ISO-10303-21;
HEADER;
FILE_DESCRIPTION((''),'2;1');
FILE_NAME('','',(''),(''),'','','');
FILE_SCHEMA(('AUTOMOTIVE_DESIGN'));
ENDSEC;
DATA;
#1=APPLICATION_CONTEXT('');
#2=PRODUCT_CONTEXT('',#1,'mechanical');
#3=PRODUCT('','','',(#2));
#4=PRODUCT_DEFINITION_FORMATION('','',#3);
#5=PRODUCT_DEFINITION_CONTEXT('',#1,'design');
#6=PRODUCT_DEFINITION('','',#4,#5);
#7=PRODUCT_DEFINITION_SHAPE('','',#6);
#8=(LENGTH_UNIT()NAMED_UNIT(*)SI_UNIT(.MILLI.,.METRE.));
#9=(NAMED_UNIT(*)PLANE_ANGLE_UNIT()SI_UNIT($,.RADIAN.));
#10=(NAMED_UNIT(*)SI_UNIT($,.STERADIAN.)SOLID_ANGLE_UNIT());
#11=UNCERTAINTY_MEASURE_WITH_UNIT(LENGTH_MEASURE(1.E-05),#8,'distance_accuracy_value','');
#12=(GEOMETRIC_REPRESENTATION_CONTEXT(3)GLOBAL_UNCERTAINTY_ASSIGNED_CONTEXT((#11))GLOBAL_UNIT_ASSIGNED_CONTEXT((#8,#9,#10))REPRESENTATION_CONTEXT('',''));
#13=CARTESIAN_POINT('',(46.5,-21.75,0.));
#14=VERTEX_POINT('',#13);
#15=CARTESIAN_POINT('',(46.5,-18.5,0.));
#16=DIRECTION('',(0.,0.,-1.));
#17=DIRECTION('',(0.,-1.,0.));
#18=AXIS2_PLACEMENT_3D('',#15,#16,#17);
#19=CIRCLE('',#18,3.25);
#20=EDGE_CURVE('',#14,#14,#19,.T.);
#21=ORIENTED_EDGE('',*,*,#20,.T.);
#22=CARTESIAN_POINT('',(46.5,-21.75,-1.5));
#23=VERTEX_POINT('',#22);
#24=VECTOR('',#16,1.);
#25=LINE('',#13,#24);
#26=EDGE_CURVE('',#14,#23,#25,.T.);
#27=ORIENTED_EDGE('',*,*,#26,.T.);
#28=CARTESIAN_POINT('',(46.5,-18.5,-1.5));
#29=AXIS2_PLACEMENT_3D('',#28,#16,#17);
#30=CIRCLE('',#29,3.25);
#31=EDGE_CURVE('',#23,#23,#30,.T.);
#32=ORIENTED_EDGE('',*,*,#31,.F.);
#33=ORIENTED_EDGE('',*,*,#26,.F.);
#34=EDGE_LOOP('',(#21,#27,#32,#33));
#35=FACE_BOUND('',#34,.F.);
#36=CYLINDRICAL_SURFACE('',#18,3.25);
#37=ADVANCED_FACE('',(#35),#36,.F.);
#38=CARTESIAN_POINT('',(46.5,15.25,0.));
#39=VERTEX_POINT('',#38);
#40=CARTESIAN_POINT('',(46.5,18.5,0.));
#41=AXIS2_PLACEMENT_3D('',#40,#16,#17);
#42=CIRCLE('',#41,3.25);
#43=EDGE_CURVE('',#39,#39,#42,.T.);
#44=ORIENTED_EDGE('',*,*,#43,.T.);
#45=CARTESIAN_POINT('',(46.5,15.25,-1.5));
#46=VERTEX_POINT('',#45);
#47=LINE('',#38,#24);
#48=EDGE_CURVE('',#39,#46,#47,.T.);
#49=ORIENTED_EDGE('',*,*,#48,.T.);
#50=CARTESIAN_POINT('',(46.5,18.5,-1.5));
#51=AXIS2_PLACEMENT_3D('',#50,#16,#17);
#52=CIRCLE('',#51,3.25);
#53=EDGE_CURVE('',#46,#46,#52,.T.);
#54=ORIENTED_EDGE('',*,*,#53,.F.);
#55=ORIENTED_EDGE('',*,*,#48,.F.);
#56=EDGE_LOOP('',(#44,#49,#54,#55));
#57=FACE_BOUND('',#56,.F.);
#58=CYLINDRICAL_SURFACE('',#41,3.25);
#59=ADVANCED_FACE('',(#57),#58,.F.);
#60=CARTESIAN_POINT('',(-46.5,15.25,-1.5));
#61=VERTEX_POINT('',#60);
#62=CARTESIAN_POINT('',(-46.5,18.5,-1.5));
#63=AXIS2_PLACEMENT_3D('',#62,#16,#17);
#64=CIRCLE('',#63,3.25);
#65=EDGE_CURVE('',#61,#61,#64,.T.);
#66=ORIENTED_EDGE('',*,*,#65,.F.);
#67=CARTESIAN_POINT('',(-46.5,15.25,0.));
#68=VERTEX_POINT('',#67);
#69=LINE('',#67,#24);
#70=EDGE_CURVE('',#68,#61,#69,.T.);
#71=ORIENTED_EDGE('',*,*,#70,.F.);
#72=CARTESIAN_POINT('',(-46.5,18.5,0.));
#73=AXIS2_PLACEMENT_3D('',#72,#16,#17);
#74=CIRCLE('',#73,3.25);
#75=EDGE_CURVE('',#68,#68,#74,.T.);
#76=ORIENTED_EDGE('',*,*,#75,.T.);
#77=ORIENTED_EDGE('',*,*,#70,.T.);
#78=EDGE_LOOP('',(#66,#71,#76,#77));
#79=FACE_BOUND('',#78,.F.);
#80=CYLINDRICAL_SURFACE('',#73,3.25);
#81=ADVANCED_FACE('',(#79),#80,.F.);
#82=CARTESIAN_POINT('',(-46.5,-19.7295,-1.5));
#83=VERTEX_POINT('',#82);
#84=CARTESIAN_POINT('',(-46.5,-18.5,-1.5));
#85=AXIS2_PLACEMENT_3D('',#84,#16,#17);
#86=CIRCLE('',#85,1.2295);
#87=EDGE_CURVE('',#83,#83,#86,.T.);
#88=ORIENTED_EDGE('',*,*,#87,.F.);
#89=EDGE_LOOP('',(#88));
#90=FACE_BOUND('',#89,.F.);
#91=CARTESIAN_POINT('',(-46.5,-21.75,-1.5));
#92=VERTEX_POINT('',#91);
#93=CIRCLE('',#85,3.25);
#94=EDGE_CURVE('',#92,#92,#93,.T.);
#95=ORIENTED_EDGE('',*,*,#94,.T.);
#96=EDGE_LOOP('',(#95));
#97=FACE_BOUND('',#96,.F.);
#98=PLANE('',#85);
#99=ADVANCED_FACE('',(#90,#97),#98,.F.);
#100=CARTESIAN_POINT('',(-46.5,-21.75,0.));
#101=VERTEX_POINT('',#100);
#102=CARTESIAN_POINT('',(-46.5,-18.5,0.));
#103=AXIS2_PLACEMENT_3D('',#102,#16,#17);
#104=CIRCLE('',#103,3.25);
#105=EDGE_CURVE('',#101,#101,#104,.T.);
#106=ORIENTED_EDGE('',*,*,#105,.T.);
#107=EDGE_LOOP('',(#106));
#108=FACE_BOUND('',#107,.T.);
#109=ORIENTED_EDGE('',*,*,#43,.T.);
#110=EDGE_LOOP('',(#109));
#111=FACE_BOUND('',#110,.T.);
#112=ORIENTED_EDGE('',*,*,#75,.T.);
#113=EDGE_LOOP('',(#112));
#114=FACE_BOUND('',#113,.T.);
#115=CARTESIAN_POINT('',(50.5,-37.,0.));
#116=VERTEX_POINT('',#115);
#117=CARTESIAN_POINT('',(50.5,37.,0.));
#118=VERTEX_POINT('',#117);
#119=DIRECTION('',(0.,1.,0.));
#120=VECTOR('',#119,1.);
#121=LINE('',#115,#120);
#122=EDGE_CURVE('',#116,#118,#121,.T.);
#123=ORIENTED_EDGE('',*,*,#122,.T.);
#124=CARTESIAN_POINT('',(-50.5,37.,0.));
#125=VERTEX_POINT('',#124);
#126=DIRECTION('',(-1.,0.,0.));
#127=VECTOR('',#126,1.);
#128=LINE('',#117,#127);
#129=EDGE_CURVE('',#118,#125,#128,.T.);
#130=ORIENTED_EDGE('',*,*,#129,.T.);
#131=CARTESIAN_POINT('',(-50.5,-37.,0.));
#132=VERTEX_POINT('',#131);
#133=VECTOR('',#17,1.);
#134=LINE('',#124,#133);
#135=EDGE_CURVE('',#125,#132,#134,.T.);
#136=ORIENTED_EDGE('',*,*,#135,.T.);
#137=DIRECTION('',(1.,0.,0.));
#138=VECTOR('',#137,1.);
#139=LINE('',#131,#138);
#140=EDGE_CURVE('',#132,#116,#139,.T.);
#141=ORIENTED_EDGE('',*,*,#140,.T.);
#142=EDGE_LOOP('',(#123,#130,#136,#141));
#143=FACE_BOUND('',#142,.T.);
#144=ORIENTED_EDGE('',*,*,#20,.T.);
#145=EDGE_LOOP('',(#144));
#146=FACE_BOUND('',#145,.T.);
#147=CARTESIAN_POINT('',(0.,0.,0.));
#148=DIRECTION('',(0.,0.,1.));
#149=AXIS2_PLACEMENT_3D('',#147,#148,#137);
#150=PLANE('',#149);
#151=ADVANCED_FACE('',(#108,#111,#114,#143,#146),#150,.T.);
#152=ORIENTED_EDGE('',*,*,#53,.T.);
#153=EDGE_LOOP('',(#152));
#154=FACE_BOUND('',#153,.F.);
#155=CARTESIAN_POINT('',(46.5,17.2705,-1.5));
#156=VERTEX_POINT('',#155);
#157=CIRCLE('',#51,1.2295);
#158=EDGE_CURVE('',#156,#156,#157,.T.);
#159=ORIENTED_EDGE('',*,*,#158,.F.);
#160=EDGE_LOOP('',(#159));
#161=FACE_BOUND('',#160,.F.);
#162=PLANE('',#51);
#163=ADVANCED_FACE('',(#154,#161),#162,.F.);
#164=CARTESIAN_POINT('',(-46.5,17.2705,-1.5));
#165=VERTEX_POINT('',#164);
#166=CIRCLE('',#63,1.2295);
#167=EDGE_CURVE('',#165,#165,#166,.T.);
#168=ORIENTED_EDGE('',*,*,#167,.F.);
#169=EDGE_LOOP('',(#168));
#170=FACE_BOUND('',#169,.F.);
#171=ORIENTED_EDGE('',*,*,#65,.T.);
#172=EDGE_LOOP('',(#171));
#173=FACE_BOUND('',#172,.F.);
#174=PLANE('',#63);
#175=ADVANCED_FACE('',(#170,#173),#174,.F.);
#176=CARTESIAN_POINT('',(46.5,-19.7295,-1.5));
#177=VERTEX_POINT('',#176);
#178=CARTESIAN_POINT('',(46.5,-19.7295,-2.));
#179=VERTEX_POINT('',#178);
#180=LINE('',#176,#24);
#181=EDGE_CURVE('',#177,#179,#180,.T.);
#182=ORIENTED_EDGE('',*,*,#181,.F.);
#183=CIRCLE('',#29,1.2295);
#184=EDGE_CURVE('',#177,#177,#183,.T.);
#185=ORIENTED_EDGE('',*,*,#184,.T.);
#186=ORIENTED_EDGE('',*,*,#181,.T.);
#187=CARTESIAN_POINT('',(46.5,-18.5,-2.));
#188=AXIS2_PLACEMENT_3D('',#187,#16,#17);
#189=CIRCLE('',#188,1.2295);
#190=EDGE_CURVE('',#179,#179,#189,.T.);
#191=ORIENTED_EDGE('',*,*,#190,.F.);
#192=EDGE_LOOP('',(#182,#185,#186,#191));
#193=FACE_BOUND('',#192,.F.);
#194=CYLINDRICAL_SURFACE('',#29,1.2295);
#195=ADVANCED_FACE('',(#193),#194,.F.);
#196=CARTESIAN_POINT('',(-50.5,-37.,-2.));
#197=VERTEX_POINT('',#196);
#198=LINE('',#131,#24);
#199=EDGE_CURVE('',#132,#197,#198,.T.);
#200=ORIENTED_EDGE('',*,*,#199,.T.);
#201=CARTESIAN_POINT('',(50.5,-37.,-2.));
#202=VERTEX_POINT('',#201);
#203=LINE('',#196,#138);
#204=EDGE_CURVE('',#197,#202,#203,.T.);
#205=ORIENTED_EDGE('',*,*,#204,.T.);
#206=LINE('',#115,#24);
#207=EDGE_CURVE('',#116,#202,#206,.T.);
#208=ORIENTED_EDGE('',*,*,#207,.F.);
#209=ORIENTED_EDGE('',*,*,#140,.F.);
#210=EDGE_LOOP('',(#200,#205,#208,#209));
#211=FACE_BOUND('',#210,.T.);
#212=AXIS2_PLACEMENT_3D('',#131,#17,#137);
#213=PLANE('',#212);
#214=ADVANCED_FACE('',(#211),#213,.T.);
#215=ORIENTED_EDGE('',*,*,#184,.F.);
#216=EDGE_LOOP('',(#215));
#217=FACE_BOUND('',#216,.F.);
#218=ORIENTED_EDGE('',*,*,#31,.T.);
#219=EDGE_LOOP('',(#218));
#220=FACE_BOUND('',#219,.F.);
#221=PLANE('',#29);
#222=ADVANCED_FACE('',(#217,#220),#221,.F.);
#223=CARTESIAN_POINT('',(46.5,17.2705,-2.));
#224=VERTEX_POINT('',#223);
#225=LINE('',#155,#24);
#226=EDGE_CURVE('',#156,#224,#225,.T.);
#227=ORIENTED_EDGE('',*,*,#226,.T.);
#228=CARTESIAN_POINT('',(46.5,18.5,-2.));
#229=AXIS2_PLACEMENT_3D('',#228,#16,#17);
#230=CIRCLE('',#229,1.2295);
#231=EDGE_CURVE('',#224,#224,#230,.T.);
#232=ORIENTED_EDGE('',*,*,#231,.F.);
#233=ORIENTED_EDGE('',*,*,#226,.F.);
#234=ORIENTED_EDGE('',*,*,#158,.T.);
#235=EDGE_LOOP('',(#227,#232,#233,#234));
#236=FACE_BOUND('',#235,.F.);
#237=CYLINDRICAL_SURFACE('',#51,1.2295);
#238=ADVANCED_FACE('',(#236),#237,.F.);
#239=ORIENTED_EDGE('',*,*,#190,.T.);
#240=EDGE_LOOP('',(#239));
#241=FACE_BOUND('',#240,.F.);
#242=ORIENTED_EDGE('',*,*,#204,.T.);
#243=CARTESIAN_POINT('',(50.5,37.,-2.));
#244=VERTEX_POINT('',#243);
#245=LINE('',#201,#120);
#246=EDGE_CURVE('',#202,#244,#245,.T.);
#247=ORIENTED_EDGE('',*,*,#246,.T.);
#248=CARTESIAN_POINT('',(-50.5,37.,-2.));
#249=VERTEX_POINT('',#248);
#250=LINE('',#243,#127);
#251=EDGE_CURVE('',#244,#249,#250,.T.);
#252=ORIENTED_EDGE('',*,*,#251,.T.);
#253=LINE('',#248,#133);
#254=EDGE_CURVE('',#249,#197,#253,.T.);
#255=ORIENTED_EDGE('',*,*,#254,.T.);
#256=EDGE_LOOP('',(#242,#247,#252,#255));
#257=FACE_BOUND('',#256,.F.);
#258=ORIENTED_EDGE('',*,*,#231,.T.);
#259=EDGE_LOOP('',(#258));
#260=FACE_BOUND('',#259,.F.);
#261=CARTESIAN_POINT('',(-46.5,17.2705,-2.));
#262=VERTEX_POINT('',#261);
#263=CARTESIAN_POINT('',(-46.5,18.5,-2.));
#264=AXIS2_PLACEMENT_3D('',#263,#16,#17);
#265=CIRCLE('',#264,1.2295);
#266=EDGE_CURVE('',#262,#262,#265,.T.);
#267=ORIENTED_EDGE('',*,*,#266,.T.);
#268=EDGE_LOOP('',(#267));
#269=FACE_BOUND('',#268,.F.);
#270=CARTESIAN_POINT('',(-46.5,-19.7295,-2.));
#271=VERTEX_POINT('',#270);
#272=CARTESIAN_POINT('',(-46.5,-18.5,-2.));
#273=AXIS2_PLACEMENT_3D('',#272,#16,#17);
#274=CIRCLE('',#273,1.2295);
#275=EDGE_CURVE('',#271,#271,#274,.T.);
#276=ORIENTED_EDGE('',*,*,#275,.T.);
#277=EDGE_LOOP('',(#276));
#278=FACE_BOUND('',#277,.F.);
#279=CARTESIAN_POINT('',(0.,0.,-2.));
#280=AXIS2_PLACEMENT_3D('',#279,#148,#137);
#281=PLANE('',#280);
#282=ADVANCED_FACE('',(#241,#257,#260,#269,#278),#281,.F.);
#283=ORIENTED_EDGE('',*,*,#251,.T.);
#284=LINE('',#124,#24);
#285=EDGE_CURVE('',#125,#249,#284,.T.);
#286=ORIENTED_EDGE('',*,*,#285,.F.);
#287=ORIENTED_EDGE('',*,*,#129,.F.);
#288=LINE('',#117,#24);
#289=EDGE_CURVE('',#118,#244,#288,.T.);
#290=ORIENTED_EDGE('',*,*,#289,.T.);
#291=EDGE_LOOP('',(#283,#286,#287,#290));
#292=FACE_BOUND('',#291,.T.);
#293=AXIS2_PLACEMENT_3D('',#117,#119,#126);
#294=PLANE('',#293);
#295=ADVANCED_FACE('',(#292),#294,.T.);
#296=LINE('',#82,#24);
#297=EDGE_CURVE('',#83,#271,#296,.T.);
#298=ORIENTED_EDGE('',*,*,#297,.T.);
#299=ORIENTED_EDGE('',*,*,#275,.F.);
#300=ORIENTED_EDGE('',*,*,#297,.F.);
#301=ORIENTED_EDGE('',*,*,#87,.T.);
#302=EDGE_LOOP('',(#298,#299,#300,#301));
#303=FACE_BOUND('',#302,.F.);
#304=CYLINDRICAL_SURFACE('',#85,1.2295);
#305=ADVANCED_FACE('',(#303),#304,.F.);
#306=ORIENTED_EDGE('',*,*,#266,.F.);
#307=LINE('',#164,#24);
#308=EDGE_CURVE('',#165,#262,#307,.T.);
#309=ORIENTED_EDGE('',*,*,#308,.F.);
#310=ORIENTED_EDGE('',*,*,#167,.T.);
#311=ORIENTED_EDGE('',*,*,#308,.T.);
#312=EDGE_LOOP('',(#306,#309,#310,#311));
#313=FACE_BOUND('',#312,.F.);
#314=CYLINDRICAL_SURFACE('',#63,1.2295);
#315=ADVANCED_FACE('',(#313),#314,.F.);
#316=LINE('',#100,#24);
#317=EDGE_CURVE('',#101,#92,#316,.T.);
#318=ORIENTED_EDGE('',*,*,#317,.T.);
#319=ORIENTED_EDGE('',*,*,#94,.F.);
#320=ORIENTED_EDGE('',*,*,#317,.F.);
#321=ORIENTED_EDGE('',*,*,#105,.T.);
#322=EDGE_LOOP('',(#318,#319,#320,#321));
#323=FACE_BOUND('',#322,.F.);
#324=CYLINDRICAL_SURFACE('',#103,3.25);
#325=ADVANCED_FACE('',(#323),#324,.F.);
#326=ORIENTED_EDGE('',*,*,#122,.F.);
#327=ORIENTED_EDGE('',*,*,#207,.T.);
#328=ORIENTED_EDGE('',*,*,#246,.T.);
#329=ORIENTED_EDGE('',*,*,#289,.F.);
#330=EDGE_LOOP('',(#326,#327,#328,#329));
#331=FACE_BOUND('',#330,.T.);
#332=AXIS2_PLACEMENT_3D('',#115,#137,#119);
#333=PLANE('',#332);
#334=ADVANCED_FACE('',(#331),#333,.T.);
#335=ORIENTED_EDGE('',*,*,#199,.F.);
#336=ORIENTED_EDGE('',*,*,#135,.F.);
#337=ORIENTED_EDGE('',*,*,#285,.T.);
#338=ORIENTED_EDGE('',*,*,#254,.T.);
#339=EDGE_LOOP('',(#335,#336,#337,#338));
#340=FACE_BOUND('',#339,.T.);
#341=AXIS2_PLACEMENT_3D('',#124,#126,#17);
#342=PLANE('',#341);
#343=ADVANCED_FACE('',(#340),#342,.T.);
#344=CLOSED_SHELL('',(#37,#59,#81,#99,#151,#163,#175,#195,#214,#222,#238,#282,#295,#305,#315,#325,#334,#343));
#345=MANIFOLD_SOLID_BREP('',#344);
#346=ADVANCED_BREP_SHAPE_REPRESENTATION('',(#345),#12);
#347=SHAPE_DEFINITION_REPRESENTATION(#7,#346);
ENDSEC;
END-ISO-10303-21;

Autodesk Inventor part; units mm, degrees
ref_plane "YZ Plane" through (0, 0, 0) normal (1, 0, 0) x (0, 1, 0)
ref_plane "XZ Plane" through (0, 0, 0) normal (0, 1, 0) x (-1, 0, 0)
ref_plane "XY Plane" through (0, 0, 0) normal (0, 0, 1) x (1, 0, 0)
sketch "Esboço1" plane through (0, 0, 0) normal (0, 0, 1) x (1, 0, 0)
  line L0 (-50.5, -37) -> (50.5, -37)
  line L1 (50.5, -37) -> (50.5, 37)
  line L2 (50.5, 37) -> (-50.5, 37)
  line L3 (-50.5, 37) -> (-50.5, -37)
  point P0 (0, 0)
  dimension "d2" = 101
  dimension "d3" = 74
  dimension "d4" = 101
  dimension "d5" = 50.5
  dimension "d6" = 37
extrude "Extrusão1" add sketch "Esboço1" against normal blind 2
sketch "Esboço2" plane through (0, 0, 0) normal (0, 0, 1) x (1, 0, 0)
  line L0 (-50.5, -37) -> (-50.5, 37) projected
  line L1 (-50.5, 37) -> (50.5, 37) projected
  line L2 (-46.5, 37) -> (-46.5, -37) construction
  line L3 (50.5, -37) -> (-50.5, -37) projected
  line L4 (46.5, 37) -> (46.5, -37) construction
  line L5 (-50.5, 18.5) -> (50.5, 18.5) construction
  line L6 (-50.5, -18.5) -> (50.5, -18.5) construction
  line L7 (50.5, 37) -> (50.5, -37) projected
  point P0 (0, 0)
  point P1 (-46.5, 18.5)
  point P2 (-46.5, -18.5)
  point P3 (46.5, -18.5)
  point P4 (46.5, 18.5)
  dimension "d13" = 4
  dimension "d14" = 97
  dimension "d15" = 18.5
  dimension "d16" = 55.5
  dimension "d17" = 0
hole "Furo1" at (-46.5, 18.5, 0) at (-46.5, -18.5, 0) at (46.5, -18.5, 0) at (46.5, 18.5, 0) direction (0, 0, -1) diameter 2.459 end through all counterbore diameter 6.5 counterbore depth 1.5
properties part number "Ra-Manager_Painel-Placas_Tras_Cego"
